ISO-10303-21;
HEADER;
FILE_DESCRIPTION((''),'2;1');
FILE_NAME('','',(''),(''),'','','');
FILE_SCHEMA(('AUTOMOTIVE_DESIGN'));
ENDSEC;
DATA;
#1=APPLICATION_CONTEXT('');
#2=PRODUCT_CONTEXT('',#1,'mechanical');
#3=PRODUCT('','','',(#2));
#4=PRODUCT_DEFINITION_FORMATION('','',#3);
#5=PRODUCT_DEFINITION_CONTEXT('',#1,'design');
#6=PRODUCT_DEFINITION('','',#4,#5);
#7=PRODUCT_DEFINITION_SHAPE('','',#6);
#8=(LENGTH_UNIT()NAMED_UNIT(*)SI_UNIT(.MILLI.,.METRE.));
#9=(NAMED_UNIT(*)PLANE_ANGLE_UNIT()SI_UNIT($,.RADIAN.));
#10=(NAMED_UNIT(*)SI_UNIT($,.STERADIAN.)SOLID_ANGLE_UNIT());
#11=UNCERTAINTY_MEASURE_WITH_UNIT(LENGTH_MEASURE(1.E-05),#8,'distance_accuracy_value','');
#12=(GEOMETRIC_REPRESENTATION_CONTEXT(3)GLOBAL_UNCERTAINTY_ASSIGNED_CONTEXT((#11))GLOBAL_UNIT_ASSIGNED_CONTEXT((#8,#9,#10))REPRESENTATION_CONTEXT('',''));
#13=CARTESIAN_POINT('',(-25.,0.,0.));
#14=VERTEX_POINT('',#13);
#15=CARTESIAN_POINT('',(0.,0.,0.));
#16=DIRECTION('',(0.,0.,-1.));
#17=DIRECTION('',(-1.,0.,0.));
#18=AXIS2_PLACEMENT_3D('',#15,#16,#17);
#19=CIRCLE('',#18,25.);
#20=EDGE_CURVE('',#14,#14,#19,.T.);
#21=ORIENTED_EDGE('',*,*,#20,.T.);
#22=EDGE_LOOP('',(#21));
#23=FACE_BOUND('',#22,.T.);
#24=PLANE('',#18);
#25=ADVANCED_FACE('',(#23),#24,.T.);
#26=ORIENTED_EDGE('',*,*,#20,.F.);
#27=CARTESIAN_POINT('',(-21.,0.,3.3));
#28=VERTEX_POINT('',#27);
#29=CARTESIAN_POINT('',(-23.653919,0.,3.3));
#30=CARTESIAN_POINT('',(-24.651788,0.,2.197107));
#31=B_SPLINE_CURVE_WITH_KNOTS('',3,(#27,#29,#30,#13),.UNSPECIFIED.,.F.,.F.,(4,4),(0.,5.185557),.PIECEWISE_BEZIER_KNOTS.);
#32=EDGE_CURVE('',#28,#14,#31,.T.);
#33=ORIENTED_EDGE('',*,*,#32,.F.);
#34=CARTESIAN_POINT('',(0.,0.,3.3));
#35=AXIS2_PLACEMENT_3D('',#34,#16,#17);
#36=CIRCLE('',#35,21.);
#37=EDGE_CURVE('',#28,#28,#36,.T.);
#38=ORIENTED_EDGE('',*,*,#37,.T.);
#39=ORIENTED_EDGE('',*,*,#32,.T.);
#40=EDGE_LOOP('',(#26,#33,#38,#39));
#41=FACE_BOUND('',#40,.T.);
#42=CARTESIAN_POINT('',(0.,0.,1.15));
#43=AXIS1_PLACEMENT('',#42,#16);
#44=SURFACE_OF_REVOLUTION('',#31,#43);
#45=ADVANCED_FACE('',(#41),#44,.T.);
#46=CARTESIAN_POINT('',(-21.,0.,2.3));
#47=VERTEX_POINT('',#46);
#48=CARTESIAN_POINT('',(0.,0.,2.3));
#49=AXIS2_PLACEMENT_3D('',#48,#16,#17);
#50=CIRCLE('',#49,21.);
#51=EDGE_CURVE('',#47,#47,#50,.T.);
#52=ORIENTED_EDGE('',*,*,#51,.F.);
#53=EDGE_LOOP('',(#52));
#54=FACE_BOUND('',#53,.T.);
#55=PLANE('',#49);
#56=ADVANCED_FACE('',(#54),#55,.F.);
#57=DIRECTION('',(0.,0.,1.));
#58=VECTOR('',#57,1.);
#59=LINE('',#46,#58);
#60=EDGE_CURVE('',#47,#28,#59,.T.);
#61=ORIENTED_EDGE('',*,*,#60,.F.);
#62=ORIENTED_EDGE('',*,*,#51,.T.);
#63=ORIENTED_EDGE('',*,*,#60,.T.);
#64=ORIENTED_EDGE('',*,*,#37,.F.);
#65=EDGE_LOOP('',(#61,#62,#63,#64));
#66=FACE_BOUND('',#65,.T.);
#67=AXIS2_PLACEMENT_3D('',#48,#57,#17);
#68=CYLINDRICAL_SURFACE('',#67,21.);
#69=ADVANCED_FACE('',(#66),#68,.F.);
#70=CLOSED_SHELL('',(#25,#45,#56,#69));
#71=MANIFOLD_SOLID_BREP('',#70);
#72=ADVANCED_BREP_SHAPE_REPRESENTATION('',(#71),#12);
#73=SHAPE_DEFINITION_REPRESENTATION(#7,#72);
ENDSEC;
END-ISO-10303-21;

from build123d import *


with BuildPart() as f1:
    # F0 (on Front) → F1 (revolve)
    with BuildSketch(Plane.XZ):
        with BuildLine():
            Line((-25, 0), (0, 0))
            Line((0, 0), (0, 2.3))
            Line((0, 2.3), (-21, 2.3))
            Line((-21, 2.3), (-21, 3.3))
            add(Edge.make_bspline(
                [(-21, 3.3), (-23.653919, 3.3), (-24.651788, 2.197107), (-25, 0)],
                knots=[0, 0, 0, 0, 5.185557, 5.185557, 5.185557, 5.185557], degree=3))
        make_face()
    revolve(axis=Axis((0, 0, 1.15), (0, 0, -1)))


solid = f1.part
